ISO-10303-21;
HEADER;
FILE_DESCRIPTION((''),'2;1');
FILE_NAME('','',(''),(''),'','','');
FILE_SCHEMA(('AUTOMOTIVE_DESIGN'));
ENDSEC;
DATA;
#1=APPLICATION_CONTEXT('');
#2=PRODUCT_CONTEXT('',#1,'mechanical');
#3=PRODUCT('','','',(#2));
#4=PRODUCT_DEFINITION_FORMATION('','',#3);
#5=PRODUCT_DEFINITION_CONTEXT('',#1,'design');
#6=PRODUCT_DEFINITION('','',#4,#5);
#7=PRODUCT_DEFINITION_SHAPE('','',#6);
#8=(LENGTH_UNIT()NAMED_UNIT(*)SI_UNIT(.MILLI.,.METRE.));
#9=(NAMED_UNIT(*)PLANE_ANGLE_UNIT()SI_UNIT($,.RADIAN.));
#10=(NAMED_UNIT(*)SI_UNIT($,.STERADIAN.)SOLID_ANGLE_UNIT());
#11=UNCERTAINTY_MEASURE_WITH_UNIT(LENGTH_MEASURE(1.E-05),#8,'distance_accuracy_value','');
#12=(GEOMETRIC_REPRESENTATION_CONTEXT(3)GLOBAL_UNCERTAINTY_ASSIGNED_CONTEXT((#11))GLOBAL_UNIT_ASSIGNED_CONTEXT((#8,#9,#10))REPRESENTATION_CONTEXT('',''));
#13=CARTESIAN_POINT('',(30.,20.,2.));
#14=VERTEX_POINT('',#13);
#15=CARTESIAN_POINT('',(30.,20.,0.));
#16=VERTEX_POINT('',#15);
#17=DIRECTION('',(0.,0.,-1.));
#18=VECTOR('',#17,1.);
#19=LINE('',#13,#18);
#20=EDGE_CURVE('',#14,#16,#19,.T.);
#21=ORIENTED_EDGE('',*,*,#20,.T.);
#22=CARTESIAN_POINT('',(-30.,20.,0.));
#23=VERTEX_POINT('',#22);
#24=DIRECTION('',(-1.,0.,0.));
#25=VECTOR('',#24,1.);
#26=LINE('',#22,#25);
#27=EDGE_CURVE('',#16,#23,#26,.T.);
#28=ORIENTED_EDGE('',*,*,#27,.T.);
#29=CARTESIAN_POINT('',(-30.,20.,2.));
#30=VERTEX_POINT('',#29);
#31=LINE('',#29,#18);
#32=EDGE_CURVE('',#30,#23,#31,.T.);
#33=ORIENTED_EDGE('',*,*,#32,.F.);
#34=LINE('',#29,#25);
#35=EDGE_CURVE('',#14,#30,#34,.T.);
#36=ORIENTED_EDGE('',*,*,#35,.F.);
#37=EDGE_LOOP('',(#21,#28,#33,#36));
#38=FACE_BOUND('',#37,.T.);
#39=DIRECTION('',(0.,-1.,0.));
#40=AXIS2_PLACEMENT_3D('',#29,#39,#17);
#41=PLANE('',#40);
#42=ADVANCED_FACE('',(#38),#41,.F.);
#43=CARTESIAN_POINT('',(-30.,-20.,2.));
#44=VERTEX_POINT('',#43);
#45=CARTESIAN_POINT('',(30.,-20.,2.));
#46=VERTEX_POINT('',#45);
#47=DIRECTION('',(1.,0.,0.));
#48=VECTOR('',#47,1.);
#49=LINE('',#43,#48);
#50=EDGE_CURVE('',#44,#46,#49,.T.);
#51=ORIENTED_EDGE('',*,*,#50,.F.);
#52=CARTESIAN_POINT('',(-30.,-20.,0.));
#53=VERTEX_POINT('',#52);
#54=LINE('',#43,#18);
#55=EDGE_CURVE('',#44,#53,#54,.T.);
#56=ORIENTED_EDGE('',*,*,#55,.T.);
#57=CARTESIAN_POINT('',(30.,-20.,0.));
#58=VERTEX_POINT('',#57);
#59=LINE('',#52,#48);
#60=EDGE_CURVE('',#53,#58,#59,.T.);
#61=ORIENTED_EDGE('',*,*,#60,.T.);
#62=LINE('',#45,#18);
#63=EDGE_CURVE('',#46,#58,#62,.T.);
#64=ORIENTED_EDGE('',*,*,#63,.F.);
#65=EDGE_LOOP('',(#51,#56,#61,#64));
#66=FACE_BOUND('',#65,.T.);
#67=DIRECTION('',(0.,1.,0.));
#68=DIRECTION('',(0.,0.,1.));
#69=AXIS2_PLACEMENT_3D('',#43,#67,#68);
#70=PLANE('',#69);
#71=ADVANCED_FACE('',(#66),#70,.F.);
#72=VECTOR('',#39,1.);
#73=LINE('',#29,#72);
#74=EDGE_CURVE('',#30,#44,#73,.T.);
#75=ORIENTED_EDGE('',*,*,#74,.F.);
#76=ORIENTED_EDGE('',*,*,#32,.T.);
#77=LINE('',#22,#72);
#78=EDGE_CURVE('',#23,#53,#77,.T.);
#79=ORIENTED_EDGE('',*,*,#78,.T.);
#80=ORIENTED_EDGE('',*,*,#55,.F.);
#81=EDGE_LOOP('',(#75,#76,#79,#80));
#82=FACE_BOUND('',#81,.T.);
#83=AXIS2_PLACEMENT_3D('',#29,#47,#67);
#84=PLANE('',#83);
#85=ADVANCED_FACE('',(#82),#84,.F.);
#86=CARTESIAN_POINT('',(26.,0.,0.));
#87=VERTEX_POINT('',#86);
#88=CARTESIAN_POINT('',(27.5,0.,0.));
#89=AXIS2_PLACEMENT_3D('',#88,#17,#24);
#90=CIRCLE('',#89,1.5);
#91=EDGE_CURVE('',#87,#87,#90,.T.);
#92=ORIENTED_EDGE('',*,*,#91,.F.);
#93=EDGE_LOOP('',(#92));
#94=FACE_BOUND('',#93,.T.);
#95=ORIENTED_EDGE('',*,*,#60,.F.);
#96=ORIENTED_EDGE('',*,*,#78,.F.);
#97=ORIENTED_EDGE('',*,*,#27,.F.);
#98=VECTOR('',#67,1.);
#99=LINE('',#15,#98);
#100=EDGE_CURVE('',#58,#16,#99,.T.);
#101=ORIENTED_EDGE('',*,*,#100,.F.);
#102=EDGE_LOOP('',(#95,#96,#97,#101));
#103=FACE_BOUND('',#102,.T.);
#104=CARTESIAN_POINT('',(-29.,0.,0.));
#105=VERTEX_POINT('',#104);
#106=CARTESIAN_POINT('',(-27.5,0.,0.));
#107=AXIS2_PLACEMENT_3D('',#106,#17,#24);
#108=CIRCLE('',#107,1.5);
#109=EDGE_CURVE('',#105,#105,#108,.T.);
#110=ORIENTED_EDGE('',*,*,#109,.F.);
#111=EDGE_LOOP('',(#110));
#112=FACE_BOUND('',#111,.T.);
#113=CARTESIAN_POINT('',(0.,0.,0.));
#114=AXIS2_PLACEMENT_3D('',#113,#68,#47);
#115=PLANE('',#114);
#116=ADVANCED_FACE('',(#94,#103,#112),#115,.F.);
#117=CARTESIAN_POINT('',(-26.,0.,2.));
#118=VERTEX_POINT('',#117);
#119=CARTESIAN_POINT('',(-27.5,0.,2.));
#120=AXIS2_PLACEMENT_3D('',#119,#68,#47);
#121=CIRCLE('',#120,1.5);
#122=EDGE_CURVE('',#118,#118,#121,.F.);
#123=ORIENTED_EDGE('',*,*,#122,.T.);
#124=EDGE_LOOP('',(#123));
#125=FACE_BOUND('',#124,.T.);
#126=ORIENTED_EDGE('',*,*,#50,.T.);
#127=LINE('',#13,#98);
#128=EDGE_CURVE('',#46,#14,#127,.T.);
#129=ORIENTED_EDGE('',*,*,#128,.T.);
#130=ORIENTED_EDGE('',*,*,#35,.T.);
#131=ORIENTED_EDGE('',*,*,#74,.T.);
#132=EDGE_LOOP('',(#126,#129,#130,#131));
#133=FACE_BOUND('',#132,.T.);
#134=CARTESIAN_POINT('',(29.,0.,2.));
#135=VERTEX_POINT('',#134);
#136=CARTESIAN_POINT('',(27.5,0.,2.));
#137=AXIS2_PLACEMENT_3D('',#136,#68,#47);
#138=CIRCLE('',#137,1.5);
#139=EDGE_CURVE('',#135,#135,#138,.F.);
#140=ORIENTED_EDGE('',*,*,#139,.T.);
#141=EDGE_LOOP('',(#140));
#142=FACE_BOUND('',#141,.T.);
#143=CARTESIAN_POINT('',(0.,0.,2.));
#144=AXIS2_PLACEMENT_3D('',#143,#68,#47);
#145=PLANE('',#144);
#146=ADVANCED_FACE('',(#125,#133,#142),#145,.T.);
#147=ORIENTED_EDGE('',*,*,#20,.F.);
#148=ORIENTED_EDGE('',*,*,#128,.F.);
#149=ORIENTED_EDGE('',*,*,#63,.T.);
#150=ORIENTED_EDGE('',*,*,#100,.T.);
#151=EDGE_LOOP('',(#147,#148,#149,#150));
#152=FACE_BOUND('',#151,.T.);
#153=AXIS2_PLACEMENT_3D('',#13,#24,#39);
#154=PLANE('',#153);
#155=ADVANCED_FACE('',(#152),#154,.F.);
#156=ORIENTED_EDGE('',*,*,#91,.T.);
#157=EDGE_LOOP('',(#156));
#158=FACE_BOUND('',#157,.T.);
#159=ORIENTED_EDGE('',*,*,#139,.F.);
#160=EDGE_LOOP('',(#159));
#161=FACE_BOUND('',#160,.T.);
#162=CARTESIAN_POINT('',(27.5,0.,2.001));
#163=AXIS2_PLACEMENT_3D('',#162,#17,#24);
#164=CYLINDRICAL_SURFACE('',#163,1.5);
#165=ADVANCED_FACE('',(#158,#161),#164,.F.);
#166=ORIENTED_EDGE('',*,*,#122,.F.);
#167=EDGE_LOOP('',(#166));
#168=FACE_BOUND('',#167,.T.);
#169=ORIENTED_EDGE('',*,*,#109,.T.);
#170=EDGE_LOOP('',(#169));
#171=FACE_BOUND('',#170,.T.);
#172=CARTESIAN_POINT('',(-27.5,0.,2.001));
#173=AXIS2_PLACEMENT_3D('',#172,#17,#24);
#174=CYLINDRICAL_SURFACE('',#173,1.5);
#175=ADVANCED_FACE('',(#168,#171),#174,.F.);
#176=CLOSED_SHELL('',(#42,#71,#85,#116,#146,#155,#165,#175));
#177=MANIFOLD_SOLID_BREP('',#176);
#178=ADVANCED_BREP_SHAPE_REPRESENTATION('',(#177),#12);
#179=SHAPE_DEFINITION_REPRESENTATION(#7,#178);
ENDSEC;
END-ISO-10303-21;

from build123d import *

# Parameters (mm, degrees)
SKETCH1_W           = 60
SKETCH1_H           = 40
BOSS_EXTRUDE1_DEPTH = 2
CUT_EXTRUDE1_REACH  = 38.111
SKETCH2_R           = 1.5


with BuildPart() as part:
    # Sketch1 → Boss-Extrude1 (new body)
    with BuildSketch(Plane.XY):
        Rectangle(SKETCH1_W, SKETCH1_H)
    extrude(amount=BOSS_EXTRUDE1_DEPTH)

    # Sketch2 → Cut-Extrude1 (cut, up to next)
    with BuildSketch(Plane(origin=(0, 0, 0), x_dir=(-1, 0, 0), z_dir=(0, 0, -1)), mode=Mode.PRIVATE) as cut_extrude1_sk1:
        with Locations((27.5, 0)):
            Circle(SKETCH2_R)
    cut_extrude1_tool1 = extrude(cut_extrude1_sk1.sketch, amount=-CUT_EXTRUDE1_REACH, mode=Mode.PRIVATE) & part.part
    # Sketch2 → Cut-Extrude1 (cut, up to next)
    with BuildSketch(Plane(origin=(0, 0, 0), x_dir=(-1, 0, 0), z_dir=(0, 0, -1)), mode=Mode.PRIVATE) as cut_extrude1_sk2:
        with Locations((-27.5, 0)):
            Circle(SKETCH2_R)
    cut_extrude1_tool2 = extrude(cut_extrude1_sk2.sketch, amount=-CUT_EXTRUDE1_REACH, mode=Mode.PRIVATE) & part.part
    add(cut_extrude1_tool1.solids().sort_by_distance((-27.5, 0, 0))[0], mode=Mode.SUBTRACT)
    add(cut_extrude1_tool2.solids().sort_by_distance((27.5, 0, 0))[0], mode=Mode.SUBTRACT)


solid = part.part
